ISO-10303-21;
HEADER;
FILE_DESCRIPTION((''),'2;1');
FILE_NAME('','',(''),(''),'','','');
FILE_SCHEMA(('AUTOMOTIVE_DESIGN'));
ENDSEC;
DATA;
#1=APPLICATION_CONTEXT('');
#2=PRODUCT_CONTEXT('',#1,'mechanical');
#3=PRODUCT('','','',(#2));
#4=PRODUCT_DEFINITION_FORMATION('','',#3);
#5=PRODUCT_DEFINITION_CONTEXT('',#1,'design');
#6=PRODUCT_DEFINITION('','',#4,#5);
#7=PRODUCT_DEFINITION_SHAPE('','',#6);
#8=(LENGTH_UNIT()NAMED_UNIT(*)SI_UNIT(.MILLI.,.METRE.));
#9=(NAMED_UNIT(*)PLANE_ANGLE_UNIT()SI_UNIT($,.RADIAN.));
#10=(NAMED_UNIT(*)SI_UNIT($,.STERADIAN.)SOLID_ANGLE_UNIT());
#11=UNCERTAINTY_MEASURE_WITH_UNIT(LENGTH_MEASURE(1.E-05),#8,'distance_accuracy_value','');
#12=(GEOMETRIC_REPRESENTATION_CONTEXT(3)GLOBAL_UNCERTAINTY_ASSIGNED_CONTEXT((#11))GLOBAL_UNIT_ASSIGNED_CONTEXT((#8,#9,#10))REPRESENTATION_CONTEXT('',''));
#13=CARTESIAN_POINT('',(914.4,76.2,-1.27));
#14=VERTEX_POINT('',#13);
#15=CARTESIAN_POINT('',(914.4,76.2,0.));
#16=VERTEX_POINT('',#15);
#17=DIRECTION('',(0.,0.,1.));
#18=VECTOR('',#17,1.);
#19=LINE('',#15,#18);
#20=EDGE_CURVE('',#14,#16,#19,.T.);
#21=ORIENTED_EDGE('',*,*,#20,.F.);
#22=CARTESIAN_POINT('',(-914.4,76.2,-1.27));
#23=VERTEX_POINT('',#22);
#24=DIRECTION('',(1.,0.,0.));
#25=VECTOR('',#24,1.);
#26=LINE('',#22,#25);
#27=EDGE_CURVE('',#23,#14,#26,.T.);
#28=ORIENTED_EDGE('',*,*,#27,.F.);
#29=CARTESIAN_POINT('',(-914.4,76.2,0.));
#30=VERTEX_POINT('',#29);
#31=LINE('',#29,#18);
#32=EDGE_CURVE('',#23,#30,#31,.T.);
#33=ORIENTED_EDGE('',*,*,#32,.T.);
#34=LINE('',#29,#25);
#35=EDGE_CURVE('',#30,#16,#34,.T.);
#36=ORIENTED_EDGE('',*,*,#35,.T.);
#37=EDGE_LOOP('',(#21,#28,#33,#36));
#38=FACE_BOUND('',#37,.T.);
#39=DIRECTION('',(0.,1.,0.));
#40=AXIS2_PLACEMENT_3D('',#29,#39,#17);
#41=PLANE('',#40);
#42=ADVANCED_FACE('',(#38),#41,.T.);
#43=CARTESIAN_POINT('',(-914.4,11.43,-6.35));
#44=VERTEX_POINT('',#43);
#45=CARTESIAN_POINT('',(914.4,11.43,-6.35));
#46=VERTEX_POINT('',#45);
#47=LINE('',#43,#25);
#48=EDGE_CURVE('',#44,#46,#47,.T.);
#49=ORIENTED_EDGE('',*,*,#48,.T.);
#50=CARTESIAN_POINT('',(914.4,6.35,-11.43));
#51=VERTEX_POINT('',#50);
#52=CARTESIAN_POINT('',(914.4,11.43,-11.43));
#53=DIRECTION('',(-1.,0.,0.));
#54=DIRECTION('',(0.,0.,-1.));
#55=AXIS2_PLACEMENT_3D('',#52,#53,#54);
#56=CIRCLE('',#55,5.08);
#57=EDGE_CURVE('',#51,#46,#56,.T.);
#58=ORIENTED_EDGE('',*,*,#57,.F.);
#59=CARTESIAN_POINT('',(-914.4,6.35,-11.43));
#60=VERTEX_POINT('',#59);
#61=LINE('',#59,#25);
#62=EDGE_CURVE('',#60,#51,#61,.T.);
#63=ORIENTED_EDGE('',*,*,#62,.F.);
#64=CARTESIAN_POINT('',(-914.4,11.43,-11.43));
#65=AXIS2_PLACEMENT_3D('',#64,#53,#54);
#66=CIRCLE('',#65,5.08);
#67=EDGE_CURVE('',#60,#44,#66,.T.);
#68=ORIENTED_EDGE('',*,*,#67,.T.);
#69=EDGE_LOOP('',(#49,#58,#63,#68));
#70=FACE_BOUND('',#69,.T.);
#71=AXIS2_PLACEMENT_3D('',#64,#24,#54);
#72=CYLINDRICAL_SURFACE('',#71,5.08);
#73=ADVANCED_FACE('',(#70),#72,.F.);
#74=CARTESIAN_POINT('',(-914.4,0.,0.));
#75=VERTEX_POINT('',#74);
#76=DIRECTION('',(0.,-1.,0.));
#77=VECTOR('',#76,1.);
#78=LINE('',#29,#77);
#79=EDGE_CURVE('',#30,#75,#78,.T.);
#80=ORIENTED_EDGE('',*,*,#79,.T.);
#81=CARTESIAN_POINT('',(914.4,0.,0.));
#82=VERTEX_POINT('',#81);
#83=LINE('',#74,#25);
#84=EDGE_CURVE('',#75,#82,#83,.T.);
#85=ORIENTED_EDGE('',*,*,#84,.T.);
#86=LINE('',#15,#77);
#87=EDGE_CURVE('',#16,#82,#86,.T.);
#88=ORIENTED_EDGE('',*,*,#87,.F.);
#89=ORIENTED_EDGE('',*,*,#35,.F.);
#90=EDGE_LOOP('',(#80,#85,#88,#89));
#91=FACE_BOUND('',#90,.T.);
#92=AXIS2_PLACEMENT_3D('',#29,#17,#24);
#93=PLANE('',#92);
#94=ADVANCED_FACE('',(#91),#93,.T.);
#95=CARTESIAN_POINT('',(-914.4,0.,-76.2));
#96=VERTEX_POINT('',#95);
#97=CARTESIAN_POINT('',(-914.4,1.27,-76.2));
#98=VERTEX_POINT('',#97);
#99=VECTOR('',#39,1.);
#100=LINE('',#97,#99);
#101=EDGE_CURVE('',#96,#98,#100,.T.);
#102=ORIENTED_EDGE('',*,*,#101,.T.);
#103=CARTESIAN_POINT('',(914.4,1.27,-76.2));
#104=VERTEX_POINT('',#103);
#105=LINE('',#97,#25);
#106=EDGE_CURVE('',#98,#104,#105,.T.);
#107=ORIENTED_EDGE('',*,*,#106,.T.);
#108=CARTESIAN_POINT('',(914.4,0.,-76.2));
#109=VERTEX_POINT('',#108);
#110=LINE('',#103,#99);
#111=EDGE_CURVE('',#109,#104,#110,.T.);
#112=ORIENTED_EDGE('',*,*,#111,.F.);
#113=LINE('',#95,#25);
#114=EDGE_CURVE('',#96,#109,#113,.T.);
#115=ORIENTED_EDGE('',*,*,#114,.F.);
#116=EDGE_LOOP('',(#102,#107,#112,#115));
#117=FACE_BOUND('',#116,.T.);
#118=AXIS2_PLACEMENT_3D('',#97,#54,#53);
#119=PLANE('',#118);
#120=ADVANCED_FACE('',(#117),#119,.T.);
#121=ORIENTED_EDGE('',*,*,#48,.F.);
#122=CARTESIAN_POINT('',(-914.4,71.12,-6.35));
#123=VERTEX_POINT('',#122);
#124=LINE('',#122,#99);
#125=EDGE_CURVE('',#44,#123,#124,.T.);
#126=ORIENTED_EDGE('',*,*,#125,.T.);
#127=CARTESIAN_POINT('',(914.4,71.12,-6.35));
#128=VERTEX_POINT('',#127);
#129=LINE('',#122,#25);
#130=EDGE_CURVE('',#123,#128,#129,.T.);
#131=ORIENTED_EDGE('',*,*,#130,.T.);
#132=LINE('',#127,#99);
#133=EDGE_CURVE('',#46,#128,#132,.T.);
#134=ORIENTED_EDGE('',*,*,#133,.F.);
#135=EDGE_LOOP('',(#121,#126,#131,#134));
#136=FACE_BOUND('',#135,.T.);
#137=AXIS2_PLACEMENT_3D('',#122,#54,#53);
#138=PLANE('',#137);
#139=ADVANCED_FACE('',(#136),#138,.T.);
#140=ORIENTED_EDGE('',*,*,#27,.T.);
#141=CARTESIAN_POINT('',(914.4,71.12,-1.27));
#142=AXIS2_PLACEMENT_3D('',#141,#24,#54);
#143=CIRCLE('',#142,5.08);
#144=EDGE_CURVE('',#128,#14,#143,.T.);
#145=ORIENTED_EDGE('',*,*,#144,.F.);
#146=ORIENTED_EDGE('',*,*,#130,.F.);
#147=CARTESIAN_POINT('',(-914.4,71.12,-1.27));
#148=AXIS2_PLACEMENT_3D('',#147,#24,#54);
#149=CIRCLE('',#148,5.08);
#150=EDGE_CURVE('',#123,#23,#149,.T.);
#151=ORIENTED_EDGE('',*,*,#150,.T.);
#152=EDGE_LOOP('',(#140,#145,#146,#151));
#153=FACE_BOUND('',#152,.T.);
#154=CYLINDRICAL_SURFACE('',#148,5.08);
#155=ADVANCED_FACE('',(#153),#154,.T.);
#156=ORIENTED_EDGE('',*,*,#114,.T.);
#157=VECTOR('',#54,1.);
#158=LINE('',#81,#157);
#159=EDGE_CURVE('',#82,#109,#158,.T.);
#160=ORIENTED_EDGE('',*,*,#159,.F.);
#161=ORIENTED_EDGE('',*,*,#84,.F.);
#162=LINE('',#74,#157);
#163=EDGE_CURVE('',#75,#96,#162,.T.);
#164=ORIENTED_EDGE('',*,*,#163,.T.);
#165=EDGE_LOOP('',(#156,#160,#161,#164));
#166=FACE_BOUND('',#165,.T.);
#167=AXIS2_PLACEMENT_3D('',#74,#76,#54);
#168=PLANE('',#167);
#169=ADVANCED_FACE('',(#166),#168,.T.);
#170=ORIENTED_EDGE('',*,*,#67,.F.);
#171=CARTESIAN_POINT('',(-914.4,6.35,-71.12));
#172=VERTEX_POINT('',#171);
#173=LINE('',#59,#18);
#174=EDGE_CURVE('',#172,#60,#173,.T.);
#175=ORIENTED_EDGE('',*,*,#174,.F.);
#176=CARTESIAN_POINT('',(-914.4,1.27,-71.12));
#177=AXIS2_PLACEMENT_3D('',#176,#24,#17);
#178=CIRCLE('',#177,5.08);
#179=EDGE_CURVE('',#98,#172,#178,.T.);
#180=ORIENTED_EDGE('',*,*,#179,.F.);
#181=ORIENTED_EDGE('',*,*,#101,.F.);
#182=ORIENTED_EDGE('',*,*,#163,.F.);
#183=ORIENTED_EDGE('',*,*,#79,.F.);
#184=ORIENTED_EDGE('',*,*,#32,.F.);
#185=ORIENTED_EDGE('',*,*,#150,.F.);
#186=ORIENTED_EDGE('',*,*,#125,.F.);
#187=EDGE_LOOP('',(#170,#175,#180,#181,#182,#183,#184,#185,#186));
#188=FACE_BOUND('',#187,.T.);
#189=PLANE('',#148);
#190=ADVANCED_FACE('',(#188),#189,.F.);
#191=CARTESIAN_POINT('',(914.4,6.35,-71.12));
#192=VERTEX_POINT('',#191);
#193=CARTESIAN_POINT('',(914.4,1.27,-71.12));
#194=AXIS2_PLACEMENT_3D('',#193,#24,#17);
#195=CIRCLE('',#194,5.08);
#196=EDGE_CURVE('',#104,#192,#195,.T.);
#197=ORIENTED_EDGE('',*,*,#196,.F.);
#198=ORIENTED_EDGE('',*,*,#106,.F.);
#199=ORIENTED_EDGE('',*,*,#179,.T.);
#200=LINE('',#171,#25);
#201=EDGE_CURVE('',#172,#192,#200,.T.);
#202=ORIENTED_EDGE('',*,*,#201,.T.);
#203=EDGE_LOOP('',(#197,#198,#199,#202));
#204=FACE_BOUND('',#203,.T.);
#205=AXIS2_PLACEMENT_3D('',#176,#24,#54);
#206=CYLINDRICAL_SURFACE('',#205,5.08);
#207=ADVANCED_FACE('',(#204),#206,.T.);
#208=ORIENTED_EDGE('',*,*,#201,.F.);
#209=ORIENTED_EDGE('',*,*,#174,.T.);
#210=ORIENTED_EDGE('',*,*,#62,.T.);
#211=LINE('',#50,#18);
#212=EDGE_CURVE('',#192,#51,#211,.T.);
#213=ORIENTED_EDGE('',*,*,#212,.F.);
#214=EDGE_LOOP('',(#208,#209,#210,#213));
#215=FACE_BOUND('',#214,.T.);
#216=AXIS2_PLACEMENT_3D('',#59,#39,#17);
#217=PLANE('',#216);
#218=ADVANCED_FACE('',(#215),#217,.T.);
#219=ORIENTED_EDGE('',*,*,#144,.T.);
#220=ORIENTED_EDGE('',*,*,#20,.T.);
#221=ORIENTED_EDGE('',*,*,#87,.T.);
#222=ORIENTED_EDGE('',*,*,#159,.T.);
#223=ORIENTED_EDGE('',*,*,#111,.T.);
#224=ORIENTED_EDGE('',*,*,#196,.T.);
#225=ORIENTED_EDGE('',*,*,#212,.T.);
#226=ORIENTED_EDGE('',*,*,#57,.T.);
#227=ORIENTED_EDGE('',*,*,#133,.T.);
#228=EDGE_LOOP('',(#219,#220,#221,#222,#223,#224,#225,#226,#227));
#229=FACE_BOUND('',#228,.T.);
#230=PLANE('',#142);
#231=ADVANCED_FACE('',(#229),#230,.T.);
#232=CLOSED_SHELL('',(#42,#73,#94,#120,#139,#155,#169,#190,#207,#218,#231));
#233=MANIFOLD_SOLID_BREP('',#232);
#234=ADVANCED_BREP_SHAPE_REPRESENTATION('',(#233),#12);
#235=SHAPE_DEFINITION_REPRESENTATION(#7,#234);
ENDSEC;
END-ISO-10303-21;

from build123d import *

# Parameters (mm, degrees)
BOSS_EXTRUDE1_DEPTH      = 914.4
BOSS_EXTRUDE1_DEPTH_BACK = 914.4


with BuildPart() as part:
    # Sketch1 → Boss-Extrude1 (new body, two sides)
    with BuildSketch(Plane(origin=(0, 0, 0), x_dir=(0, 0, -1), z_dir=(1, 0, 0))) as boss_extrude1_sk:
        with BuildLine():
            Line((0, 76.2), (0, 0))
            Line((0, 0), (76.2, 0))
            Line((76.2, 0), (76.2, 1.27))
            ThreePointArc((76.2, 1.27), (74.712102448, 4.862102448), (71.12, 6.35))
            Line((71.12, 6.35), (11.43, 6.35))
            ThreePointArc((11.43, 6.35), (7.837897552, 7.837897552), (6.35, 11.43))
            Line((6.35, 11.43), (6.35, 71.12))
            ThreePointArc((6.35, 71.12), (4.862102448, 74.712102448), (1.27, 76.2))
            Line((1.27, 76.2), (0, 76.2))
        make_face()
    extrude(amount=BOSS_EXTRUDE1_DEPTH)
    extrude(boss_extrude1_sk.sketch, amount=-BOSS_EXTRUDE1_DEPTH_BACK)


solid = part.part
